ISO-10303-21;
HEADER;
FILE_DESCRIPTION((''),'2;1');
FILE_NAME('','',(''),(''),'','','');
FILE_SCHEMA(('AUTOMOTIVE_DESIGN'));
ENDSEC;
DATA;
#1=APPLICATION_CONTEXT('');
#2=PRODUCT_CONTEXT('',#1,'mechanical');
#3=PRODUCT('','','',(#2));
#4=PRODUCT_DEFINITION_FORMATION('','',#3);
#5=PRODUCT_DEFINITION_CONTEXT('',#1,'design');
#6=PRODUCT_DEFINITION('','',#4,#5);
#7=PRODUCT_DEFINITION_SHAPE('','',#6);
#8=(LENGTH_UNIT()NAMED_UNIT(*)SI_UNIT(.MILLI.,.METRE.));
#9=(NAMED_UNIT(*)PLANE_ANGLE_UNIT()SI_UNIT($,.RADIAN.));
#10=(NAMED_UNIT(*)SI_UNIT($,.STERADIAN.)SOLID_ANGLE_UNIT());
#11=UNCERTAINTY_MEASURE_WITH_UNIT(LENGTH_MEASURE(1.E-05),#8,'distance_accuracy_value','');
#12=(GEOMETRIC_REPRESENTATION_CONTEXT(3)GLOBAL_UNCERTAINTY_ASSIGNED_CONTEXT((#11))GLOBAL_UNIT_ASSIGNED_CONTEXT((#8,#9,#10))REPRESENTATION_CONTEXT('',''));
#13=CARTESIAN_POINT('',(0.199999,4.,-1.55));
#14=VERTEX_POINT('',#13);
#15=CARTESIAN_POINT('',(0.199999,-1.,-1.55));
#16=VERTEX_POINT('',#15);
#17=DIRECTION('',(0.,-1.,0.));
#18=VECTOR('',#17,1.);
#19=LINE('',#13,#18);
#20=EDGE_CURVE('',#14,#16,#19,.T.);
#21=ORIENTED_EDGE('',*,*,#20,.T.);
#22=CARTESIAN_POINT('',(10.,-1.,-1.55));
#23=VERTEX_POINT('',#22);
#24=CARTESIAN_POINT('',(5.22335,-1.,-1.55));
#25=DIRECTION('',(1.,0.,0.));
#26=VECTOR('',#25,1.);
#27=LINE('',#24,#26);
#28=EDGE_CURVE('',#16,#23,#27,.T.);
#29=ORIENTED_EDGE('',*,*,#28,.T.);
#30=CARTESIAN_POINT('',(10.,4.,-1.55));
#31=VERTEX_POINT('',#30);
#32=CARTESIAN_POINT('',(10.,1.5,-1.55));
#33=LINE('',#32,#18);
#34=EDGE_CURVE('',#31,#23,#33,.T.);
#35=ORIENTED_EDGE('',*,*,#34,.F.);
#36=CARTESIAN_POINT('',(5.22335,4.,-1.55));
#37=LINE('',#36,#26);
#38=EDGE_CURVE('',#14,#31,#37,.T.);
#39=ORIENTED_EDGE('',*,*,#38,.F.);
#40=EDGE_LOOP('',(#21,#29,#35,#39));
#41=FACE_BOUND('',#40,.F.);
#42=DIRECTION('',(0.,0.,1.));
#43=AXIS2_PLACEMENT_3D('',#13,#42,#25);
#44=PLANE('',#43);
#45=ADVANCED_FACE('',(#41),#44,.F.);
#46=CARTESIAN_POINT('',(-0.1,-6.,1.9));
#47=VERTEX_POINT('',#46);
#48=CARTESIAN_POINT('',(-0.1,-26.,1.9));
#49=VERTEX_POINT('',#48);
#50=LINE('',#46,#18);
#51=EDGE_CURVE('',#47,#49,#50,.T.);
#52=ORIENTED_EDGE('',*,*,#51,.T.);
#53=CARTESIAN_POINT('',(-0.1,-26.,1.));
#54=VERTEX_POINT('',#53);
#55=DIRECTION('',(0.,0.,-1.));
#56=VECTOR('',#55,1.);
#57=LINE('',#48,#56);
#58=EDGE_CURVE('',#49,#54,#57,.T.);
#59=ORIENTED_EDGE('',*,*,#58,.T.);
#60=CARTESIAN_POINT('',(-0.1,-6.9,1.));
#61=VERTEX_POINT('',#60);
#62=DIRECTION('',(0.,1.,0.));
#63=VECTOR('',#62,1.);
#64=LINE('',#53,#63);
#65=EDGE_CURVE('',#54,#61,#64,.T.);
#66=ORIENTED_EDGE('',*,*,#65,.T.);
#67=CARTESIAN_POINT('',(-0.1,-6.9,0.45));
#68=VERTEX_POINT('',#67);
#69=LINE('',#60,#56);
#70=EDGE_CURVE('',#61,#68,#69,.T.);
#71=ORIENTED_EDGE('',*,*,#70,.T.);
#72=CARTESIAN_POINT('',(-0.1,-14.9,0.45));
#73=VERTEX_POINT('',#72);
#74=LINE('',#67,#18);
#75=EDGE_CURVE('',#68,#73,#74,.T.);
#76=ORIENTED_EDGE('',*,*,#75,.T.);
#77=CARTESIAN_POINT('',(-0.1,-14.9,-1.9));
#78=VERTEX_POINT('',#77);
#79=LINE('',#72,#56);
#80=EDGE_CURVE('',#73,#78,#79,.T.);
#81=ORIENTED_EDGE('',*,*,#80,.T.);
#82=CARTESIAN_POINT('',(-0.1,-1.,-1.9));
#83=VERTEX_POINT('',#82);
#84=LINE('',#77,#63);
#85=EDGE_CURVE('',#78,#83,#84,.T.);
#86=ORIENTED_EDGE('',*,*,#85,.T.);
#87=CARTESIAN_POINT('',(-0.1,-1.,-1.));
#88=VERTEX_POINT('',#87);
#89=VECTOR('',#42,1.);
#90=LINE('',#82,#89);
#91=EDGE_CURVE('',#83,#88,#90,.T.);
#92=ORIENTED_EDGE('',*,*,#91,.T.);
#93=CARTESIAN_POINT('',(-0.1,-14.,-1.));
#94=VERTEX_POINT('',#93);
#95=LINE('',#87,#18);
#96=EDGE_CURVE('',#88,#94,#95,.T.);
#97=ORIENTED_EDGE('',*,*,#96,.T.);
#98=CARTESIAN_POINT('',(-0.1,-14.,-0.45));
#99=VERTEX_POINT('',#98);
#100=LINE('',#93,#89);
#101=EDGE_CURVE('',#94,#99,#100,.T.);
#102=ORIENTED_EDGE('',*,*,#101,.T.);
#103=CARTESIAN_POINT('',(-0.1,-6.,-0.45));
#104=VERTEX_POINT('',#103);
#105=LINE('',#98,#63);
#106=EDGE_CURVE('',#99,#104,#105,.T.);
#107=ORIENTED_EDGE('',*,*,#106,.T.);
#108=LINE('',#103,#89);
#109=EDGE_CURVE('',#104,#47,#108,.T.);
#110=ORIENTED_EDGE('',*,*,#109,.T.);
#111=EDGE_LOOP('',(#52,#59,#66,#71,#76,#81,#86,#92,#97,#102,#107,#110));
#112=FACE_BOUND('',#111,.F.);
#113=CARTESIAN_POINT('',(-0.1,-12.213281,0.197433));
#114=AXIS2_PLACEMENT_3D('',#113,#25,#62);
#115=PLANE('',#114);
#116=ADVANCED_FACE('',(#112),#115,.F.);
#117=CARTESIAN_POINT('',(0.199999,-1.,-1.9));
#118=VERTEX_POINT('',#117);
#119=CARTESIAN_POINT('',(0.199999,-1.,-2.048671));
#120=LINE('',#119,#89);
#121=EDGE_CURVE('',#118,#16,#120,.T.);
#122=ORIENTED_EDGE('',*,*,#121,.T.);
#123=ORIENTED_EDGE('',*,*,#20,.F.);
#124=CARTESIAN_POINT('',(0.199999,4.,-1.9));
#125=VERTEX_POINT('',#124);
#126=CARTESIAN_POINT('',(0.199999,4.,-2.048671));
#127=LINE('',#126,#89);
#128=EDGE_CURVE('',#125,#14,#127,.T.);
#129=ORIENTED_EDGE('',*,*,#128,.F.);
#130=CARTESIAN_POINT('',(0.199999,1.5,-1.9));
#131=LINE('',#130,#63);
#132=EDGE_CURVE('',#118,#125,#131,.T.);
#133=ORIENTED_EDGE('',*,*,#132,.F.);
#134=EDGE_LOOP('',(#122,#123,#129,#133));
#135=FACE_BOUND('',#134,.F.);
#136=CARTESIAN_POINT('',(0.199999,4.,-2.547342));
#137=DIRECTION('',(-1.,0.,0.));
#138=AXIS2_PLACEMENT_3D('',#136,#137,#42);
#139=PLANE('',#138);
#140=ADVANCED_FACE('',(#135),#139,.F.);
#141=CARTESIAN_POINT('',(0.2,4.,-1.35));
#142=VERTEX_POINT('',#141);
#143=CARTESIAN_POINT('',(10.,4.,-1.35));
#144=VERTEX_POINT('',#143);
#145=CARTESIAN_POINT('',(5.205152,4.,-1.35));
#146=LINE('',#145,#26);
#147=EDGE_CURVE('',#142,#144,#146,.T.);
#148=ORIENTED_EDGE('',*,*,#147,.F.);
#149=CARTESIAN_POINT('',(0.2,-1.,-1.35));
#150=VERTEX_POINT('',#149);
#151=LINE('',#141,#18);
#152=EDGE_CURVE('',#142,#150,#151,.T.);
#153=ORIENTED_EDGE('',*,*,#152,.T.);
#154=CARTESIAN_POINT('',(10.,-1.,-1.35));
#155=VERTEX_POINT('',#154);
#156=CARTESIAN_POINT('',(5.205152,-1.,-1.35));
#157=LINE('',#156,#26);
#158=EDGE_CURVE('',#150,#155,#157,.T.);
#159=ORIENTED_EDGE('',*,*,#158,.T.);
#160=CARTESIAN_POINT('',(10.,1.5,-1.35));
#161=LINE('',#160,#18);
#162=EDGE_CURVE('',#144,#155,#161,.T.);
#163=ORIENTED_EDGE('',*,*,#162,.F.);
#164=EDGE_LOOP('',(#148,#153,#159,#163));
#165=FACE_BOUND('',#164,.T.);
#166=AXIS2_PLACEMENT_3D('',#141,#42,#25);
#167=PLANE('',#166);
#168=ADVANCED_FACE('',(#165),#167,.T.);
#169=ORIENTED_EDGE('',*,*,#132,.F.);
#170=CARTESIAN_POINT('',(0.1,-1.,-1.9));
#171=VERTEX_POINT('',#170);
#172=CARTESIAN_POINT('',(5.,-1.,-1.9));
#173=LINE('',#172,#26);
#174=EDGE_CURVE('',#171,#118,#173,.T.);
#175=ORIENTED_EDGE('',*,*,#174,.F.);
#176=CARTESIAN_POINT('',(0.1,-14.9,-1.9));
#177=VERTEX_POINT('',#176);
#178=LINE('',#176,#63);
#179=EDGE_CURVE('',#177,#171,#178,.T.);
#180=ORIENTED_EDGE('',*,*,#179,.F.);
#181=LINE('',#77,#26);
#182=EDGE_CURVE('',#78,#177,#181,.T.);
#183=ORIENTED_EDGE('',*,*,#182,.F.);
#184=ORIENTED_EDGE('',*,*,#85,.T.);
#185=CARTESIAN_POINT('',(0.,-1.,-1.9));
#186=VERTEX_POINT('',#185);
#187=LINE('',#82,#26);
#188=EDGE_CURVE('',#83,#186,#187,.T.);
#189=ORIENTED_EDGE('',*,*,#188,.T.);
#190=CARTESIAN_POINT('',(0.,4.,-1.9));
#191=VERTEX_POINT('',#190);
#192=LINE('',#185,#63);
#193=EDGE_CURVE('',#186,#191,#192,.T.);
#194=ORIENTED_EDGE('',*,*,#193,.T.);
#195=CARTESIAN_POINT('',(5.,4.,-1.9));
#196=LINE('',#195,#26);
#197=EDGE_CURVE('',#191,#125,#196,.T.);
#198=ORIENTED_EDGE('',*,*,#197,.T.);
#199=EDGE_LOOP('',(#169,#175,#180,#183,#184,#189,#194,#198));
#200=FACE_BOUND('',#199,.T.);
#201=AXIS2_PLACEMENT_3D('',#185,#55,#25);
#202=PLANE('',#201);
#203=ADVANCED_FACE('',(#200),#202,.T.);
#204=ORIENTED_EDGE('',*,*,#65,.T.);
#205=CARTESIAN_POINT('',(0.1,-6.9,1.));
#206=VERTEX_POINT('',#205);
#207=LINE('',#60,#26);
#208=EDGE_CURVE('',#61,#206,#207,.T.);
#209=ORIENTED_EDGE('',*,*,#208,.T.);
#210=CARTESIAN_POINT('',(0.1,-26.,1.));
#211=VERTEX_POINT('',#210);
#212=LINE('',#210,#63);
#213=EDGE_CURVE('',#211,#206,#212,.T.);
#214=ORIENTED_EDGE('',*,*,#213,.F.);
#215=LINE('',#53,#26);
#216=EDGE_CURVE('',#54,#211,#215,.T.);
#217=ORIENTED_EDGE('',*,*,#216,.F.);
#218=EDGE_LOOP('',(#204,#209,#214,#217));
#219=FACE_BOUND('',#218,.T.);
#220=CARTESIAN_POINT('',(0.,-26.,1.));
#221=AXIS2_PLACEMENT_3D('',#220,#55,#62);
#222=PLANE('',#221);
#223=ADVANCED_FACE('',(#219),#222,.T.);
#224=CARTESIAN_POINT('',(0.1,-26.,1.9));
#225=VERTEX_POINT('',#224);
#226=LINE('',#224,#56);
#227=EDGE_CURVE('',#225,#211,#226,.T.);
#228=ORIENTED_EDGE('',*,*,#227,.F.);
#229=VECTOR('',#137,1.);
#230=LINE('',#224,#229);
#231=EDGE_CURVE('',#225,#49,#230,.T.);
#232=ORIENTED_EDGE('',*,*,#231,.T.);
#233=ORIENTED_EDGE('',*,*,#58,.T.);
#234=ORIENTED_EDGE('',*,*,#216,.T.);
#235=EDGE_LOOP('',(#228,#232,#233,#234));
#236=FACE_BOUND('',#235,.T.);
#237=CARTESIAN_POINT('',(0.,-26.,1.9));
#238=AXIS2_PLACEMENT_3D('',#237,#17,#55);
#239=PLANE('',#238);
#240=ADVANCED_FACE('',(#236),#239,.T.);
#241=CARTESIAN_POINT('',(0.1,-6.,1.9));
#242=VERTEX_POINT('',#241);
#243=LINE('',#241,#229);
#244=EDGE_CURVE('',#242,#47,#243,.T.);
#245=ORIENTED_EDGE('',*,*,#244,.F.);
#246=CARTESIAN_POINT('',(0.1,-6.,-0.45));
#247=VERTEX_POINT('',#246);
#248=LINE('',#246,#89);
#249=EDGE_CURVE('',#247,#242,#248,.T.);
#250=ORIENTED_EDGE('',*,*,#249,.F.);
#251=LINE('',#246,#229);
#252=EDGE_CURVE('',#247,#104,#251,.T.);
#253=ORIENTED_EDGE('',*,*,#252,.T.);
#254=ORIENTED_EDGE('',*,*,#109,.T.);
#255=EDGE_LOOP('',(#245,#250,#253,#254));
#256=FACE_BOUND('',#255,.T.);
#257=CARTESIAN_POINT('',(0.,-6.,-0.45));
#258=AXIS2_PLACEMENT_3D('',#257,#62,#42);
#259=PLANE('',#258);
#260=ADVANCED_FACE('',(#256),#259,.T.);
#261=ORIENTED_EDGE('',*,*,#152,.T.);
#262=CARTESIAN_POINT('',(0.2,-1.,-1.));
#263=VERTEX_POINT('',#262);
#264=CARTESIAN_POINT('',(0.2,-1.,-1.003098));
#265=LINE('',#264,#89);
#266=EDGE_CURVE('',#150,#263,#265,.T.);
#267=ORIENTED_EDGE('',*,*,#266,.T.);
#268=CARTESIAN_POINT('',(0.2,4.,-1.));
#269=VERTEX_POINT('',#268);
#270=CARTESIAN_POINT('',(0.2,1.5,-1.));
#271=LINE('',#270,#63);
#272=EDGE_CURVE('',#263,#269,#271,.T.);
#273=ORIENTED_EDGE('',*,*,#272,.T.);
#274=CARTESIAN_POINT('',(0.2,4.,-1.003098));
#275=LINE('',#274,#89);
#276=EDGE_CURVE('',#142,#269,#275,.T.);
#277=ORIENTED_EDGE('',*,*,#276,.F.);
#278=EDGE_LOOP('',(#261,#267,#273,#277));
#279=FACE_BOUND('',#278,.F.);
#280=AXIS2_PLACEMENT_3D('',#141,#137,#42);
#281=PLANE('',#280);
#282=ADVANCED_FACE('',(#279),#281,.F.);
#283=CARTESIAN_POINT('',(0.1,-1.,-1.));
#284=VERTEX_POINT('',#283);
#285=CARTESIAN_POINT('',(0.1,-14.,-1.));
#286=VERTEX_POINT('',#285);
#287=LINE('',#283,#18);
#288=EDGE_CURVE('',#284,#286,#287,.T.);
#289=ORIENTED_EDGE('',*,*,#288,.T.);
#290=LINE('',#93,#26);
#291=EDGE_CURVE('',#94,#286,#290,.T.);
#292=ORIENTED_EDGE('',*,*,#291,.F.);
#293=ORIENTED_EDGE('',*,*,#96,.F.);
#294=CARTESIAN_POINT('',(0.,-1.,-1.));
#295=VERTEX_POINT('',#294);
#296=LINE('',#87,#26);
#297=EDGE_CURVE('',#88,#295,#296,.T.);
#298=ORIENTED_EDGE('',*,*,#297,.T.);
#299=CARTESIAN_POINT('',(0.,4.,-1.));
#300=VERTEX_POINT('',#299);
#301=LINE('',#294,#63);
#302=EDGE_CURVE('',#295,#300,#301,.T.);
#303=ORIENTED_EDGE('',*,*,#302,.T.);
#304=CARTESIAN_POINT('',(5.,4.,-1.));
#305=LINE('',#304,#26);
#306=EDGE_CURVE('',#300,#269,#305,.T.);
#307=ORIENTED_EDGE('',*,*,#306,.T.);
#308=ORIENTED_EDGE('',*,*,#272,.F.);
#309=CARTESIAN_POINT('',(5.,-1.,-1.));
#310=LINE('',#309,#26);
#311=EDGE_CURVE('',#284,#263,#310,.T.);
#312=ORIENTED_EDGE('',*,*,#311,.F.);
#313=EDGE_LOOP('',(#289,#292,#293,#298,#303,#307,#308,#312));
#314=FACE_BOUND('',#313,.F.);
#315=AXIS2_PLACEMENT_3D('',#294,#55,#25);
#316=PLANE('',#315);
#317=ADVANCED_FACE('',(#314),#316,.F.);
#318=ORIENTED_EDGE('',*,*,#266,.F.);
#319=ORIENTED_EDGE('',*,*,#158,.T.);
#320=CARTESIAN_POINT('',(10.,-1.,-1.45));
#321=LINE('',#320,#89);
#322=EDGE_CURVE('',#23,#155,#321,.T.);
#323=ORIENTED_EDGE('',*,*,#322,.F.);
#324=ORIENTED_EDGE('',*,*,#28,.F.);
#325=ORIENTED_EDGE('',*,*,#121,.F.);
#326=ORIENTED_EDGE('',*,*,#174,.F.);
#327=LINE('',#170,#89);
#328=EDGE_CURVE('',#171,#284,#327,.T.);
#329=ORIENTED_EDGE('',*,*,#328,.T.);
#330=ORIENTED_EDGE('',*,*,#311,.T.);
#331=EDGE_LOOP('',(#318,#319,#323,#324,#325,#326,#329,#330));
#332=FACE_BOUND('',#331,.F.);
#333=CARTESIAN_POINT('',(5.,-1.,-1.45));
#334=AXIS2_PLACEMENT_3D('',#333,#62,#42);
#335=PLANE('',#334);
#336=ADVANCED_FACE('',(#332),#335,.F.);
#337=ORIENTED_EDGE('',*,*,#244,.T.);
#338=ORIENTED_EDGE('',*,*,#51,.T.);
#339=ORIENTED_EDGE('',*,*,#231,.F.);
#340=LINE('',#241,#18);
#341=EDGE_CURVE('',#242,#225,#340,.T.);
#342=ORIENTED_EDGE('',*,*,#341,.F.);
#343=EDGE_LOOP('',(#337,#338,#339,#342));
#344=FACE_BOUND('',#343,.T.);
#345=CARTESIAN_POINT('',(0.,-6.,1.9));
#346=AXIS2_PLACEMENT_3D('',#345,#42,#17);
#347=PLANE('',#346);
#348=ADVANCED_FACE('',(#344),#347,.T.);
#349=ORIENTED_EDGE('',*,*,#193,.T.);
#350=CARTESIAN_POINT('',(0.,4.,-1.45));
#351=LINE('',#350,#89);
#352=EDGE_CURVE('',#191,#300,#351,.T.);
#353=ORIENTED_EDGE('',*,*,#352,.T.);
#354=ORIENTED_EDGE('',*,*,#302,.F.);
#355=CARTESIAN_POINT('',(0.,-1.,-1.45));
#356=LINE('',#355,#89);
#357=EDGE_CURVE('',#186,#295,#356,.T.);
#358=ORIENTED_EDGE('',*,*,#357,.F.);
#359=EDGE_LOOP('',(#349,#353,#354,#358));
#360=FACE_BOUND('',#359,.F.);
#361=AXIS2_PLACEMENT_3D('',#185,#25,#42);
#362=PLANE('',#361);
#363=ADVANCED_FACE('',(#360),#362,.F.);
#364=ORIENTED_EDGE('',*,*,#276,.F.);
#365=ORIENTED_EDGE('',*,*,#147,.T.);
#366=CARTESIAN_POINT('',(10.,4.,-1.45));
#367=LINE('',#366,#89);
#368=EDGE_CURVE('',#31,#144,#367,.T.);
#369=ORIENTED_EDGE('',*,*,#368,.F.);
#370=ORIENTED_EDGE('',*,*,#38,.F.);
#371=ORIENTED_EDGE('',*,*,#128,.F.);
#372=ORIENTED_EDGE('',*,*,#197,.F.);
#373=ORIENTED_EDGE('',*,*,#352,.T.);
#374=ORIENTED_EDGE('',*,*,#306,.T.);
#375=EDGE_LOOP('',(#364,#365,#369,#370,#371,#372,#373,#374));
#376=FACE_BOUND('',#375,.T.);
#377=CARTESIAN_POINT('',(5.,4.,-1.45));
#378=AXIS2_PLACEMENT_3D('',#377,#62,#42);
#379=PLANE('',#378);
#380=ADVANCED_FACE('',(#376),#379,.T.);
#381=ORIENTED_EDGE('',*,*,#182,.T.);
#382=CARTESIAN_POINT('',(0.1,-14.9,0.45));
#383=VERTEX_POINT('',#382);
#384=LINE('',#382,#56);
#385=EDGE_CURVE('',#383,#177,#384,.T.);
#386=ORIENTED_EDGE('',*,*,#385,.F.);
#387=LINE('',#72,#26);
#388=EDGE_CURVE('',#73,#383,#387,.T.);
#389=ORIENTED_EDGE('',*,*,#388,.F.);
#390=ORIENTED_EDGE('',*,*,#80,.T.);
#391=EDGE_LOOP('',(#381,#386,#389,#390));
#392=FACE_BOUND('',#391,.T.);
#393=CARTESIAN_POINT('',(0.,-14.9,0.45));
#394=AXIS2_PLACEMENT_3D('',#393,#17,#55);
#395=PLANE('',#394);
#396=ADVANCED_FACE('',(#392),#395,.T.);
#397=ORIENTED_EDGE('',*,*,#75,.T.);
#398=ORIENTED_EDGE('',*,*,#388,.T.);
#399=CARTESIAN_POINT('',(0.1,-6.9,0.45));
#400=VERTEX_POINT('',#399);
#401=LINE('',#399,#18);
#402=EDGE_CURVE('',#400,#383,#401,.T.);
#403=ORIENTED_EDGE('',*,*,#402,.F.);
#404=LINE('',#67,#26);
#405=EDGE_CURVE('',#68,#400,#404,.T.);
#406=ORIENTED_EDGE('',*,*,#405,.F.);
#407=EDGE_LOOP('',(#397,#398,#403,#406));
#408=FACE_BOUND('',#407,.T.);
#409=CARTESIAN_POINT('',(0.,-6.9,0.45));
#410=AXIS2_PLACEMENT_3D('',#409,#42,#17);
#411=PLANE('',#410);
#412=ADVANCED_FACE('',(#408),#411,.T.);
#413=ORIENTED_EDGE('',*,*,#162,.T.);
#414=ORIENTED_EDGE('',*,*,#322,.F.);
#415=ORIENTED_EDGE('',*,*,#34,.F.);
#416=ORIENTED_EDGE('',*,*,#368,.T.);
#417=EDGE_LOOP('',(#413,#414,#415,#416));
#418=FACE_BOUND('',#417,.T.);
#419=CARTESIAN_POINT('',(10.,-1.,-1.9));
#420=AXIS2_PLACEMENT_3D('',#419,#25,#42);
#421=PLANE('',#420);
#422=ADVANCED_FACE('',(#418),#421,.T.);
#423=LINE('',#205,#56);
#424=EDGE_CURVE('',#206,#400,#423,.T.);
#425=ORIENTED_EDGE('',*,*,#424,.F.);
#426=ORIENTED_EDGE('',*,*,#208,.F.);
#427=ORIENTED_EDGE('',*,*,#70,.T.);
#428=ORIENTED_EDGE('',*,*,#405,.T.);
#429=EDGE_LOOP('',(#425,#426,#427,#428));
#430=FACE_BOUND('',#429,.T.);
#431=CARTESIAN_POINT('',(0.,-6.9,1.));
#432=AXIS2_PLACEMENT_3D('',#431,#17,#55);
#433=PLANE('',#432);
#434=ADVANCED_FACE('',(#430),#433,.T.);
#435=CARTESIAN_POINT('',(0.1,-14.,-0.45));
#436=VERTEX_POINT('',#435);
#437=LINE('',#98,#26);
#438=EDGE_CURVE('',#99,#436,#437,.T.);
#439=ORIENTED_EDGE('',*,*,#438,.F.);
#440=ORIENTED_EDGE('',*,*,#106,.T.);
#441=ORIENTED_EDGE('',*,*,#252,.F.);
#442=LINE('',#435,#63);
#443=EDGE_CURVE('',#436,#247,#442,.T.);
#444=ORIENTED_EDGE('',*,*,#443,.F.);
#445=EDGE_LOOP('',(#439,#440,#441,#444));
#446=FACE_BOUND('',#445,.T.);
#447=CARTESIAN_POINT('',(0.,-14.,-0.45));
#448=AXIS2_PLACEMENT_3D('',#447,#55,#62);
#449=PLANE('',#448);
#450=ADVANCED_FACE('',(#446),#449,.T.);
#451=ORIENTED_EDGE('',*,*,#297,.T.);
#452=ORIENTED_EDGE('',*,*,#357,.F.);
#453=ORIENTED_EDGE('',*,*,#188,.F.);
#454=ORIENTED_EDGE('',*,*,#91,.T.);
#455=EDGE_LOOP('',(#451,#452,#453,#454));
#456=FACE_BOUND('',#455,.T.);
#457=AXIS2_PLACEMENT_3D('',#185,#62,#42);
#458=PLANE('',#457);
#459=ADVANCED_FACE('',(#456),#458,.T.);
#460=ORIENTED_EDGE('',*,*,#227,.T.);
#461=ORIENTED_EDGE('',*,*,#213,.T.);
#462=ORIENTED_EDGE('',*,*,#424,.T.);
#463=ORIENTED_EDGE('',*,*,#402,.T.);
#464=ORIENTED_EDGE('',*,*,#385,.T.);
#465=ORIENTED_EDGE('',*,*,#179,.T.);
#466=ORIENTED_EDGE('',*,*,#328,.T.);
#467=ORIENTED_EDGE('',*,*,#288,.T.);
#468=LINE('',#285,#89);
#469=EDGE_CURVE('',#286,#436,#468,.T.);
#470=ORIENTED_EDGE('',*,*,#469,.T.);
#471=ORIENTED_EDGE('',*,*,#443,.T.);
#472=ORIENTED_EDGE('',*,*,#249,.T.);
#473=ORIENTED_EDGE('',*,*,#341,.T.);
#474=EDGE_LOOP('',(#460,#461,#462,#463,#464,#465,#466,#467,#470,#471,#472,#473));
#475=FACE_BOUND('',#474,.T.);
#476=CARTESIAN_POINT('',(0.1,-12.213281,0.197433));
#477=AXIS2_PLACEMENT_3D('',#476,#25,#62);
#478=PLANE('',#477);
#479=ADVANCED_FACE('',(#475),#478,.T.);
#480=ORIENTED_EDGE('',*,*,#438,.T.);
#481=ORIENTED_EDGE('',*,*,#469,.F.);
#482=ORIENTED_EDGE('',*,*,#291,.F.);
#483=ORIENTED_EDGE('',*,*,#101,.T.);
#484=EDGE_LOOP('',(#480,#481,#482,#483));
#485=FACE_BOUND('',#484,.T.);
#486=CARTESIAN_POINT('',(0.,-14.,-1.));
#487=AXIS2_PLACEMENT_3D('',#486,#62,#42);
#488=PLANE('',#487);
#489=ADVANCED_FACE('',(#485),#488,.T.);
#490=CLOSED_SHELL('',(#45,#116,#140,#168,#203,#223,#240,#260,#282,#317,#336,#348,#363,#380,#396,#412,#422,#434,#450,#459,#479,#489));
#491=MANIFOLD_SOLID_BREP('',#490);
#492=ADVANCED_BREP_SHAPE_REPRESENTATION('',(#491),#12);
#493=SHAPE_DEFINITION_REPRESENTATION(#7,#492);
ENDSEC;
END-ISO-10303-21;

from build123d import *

# Parameters (mm, degrees)
PAD015_DEPTH  = 0.1
SKETCH_W      = 0.9
SKETCH_H      = 10
PAD_DEPTH     = 5
SKETCH024_W   = 0.693804
SKETCH024_H   = 10.010304
SKETCH024_W_2 = 0.997342
SKETCH024_H_2 = 10.046701
POCKET_DEPTH  = 5


with BuildPart() as part:
    # Sketch023 → Pad015 (new body, symmetric)
    with BuildSketch(Plane.YZ):
        Polygon((-26, 1.9), (-26, 1), (-6.9, 1), (-6.9, 0.45), (-14.9, 0.45), (-14.9, -1.9), (-1, -1.9), (-1, -1), (-14, -1), (-14, -0.45), (-6, -0.45), (-6, 1.9), align=None)
    extrude(amount=PAD015_DEPTH, both=True)

    # Sketch (on Face7 of Pad015) → Pad (join)
    with BuildSketch(Plane.ZX.offset(-1)):
        with Locations((-1.45, 5)):
            Rectangle(SKETCH_W, SKETCH_H)
    extrude(amount=PAD_DEPTH)

    # Sketch024 (on Face20 of Pad) → Pocket (cut)
    with BuildSketch(Plane.ZX.offset(4)):
        with Locations((-1.003098, 5.205152)):
            Rectangle(SKETCH024_W, SKETCH024_H)
        with Locations((-2.048671, 5.22335)):
            Rectangle(SKETCH024_W_2, SKETCH024_H_2)
    extrude(amount=-POCKET_DEPTH, mode=Mode.SUBTRACT)


solid = part.part
